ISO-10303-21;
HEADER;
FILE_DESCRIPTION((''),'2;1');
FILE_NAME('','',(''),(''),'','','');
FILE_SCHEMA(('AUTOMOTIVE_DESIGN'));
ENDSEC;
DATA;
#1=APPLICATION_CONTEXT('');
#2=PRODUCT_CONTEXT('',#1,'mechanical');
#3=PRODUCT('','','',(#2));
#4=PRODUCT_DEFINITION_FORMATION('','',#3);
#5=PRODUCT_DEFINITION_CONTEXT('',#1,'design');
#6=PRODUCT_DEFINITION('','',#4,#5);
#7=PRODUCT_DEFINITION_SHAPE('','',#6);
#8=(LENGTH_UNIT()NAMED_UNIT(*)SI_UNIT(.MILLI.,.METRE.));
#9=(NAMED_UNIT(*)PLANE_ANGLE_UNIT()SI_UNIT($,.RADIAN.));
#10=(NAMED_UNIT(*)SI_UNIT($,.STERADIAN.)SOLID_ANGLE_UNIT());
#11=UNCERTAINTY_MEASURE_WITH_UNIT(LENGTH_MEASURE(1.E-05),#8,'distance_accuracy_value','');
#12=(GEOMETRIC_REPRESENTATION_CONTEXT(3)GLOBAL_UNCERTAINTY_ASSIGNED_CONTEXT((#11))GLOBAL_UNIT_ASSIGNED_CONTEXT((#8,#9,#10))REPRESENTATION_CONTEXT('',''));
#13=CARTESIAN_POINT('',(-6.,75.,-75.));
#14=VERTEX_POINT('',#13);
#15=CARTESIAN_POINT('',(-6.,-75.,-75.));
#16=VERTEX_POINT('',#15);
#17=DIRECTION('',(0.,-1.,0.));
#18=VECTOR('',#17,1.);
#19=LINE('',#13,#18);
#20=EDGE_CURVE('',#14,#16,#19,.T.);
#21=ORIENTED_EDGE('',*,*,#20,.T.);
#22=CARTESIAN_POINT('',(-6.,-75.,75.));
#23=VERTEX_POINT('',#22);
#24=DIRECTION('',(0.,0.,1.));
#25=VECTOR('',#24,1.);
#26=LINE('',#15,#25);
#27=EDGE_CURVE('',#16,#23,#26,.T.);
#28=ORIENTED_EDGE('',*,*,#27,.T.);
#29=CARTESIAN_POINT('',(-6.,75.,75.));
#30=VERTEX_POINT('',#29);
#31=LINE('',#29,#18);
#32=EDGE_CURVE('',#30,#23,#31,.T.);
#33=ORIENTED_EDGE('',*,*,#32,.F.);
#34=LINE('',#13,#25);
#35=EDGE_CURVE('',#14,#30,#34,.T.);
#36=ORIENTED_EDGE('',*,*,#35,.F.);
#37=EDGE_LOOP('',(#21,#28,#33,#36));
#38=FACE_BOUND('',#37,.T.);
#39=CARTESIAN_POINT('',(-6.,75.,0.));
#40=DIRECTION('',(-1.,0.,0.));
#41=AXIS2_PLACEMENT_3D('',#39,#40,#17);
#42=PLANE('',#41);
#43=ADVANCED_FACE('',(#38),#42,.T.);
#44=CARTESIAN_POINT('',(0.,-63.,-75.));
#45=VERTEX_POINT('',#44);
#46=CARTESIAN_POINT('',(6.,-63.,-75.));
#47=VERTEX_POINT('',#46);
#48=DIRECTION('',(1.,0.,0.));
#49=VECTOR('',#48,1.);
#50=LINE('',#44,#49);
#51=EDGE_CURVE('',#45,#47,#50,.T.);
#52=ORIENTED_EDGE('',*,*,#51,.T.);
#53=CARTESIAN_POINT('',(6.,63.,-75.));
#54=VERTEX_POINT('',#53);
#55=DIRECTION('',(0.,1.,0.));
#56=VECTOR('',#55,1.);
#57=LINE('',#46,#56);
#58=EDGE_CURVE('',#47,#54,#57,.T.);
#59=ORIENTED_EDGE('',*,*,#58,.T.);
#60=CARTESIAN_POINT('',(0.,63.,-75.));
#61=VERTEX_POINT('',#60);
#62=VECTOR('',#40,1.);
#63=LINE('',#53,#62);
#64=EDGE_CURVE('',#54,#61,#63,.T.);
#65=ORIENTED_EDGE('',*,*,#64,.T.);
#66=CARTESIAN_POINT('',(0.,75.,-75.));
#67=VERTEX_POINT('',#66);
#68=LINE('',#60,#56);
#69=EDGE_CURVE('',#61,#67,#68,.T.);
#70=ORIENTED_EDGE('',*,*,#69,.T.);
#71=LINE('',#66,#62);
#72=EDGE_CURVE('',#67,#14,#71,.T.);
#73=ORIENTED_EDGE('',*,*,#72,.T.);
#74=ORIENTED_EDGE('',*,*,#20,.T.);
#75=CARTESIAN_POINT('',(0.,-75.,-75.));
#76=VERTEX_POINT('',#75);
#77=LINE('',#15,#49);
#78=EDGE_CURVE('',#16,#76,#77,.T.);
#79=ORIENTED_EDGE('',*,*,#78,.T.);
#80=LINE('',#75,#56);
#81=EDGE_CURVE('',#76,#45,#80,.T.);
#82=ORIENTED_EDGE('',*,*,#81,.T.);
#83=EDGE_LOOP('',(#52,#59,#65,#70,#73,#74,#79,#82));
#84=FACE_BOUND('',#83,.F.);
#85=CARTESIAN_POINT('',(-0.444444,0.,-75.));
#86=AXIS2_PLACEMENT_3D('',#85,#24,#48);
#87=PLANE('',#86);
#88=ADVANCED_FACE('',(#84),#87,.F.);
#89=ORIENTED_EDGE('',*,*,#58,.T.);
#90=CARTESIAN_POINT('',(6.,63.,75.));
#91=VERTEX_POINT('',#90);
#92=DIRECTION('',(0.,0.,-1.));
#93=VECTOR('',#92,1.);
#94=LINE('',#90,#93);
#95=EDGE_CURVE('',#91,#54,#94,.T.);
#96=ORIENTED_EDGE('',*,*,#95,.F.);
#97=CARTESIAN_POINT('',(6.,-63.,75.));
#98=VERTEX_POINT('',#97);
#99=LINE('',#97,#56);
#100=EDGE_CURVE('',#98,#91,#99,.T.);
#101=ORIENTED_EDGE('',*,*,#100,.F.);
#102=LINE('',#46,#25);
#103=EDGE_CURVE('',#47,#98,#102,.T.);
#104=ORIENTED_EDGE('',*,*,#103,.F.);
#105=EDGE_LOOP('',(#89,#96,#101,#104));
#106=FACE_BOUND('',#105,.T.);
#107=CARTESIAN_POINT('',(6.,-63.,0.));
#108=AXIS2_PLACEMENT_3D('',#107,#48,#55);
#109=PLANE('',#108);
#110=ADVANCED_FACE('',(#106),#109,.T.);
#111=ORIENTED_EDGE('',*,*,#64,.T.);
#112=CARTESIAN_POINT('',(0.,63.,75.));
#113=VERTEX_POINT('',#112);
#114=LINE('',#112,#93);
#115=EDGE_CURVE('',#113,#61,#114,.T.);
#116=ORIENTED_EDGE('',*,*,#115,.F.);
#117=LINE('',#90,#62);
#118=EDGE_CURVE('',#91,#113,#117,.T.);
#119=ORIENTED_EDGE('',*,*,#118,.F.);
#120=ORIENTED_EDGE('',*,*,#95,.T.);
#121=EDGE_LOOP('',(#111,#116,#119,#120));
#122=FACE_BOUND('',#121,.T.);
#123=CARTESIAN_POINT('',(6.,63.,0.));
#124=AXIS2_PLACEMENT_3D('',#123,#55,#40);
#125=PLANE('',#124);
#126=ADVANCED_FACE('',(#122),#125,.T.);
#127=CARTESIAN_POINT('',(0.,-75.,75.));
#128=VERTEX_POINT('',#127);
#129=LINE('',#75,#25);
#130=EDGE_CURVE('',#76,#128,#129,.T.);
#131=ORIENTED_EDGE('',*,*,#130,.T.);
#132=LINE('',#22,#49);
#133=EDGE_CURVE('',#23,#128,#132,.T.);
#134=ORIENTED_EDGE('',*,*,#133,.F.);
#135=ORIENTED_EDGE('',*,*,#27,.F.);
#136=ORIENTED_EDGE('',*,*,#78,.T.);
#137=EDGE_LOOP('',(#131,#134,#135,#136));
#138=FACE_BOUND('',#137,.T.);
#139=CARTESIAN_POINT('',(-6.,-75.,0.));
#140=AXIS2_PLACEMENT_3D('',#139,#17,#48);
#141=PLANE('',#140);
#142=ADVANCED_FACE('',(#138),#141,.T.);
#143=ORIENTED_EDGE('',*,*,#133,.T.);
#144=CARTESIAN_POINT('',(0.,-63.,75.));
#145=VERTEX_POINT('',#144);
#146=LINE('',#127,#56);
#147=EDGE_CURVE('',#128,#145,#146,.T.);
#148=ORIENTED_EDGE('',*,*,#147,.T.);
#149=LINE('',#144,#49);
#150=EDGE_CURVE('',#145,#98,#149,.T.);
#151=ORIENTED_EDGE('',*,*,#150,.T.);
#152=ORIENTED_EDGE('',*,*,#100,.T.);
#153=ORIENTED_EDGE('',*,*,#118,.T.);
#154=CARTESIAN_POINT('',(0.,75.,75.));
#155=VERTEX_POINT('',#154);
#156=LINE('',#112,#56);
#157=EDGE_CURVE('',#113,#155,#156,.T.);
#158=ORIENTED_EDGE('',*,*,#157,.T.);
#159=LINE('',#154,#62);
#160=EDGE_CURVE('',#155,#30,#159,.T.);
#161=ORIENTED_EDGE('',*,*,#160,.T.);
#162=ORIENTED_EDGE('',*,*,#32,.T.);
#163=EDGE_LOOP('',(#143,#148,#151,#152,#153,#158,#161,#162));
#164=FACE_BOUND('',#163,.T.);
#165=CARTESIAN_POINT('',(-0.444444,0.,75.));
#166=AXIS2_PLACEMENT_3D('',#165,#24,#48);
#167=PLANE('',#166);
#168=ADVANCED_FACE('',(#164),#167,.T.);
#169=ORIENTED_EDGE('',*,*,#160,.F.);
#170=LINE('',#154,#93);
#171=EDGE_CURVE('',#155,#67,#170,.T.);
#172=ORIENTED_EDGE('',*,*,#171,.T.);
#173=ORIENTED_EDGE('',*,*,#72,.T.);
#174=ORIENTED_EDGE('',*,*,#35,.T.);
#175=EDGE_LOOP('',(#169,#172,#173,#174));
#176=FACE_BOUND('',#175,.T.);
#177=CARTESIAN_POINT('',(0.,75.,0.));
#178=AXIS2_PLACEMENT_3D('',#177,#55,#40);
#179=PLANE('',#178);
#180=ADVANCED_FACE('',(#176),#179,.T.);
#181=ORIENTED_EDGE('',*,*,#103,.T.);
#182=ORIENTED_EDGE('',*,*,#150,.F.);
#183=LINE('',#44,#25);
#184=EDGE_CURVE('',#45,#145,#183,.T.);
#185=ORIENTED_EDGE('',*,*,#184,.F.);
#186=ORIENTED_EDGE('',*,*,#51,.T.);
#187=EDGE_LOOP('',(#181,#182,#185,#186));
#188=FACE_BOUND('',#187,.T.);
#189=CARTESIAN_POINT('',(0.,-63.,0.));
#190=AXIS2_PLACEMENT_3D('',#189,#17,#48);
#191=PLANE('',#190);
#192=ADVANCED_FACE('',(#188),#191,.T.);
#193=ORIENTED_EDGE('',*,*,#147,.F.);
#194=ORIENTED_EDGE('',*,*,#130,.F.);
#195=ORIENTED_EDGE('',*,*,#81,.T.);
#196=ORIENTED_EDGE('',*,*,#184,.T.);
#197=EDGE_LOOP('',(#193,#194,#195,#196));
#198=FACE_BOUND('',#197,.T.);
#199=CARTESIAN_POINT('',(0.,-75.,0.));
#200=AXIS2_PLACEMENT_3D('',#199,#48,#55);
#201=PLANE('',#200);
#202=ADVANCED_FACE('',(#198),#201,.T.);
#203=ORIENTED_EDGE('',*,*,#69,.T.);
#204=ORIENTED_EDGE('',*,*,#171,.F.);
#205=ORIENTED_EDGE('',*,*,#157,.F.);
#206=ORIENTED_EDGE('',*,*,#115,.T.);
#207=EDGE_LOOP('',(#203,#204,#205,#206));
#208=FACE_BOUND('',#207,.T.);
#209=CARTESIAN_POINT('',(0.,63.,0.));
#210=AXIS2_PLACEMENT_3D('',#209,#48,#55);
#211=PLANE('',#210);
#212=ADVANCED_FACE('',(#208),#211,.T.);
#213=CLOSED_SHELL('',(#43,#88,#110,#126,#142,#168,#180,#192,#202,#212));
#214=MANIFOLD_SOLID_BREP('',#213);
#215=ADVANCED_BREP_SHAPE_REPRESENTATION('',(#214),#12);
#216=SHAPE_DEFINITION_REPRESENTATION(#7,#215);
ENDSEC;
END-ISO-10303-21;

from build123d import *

# Parameters (mm, degrees)
F1_DEPTH = 75


with BuildPart() as f1:
    # F0 (on Top) → F1 (new body, symmetric)
    with BuildSketch(Plane.XY):
        Polygon((0, 75), (-6, 75), (-6, -75), (0, -75), (0, -63), (6, -63), (6, 63), (0, 63), align=None)
    extrude(amount=F1_DEPTH, both=True)


solid = f1.part
